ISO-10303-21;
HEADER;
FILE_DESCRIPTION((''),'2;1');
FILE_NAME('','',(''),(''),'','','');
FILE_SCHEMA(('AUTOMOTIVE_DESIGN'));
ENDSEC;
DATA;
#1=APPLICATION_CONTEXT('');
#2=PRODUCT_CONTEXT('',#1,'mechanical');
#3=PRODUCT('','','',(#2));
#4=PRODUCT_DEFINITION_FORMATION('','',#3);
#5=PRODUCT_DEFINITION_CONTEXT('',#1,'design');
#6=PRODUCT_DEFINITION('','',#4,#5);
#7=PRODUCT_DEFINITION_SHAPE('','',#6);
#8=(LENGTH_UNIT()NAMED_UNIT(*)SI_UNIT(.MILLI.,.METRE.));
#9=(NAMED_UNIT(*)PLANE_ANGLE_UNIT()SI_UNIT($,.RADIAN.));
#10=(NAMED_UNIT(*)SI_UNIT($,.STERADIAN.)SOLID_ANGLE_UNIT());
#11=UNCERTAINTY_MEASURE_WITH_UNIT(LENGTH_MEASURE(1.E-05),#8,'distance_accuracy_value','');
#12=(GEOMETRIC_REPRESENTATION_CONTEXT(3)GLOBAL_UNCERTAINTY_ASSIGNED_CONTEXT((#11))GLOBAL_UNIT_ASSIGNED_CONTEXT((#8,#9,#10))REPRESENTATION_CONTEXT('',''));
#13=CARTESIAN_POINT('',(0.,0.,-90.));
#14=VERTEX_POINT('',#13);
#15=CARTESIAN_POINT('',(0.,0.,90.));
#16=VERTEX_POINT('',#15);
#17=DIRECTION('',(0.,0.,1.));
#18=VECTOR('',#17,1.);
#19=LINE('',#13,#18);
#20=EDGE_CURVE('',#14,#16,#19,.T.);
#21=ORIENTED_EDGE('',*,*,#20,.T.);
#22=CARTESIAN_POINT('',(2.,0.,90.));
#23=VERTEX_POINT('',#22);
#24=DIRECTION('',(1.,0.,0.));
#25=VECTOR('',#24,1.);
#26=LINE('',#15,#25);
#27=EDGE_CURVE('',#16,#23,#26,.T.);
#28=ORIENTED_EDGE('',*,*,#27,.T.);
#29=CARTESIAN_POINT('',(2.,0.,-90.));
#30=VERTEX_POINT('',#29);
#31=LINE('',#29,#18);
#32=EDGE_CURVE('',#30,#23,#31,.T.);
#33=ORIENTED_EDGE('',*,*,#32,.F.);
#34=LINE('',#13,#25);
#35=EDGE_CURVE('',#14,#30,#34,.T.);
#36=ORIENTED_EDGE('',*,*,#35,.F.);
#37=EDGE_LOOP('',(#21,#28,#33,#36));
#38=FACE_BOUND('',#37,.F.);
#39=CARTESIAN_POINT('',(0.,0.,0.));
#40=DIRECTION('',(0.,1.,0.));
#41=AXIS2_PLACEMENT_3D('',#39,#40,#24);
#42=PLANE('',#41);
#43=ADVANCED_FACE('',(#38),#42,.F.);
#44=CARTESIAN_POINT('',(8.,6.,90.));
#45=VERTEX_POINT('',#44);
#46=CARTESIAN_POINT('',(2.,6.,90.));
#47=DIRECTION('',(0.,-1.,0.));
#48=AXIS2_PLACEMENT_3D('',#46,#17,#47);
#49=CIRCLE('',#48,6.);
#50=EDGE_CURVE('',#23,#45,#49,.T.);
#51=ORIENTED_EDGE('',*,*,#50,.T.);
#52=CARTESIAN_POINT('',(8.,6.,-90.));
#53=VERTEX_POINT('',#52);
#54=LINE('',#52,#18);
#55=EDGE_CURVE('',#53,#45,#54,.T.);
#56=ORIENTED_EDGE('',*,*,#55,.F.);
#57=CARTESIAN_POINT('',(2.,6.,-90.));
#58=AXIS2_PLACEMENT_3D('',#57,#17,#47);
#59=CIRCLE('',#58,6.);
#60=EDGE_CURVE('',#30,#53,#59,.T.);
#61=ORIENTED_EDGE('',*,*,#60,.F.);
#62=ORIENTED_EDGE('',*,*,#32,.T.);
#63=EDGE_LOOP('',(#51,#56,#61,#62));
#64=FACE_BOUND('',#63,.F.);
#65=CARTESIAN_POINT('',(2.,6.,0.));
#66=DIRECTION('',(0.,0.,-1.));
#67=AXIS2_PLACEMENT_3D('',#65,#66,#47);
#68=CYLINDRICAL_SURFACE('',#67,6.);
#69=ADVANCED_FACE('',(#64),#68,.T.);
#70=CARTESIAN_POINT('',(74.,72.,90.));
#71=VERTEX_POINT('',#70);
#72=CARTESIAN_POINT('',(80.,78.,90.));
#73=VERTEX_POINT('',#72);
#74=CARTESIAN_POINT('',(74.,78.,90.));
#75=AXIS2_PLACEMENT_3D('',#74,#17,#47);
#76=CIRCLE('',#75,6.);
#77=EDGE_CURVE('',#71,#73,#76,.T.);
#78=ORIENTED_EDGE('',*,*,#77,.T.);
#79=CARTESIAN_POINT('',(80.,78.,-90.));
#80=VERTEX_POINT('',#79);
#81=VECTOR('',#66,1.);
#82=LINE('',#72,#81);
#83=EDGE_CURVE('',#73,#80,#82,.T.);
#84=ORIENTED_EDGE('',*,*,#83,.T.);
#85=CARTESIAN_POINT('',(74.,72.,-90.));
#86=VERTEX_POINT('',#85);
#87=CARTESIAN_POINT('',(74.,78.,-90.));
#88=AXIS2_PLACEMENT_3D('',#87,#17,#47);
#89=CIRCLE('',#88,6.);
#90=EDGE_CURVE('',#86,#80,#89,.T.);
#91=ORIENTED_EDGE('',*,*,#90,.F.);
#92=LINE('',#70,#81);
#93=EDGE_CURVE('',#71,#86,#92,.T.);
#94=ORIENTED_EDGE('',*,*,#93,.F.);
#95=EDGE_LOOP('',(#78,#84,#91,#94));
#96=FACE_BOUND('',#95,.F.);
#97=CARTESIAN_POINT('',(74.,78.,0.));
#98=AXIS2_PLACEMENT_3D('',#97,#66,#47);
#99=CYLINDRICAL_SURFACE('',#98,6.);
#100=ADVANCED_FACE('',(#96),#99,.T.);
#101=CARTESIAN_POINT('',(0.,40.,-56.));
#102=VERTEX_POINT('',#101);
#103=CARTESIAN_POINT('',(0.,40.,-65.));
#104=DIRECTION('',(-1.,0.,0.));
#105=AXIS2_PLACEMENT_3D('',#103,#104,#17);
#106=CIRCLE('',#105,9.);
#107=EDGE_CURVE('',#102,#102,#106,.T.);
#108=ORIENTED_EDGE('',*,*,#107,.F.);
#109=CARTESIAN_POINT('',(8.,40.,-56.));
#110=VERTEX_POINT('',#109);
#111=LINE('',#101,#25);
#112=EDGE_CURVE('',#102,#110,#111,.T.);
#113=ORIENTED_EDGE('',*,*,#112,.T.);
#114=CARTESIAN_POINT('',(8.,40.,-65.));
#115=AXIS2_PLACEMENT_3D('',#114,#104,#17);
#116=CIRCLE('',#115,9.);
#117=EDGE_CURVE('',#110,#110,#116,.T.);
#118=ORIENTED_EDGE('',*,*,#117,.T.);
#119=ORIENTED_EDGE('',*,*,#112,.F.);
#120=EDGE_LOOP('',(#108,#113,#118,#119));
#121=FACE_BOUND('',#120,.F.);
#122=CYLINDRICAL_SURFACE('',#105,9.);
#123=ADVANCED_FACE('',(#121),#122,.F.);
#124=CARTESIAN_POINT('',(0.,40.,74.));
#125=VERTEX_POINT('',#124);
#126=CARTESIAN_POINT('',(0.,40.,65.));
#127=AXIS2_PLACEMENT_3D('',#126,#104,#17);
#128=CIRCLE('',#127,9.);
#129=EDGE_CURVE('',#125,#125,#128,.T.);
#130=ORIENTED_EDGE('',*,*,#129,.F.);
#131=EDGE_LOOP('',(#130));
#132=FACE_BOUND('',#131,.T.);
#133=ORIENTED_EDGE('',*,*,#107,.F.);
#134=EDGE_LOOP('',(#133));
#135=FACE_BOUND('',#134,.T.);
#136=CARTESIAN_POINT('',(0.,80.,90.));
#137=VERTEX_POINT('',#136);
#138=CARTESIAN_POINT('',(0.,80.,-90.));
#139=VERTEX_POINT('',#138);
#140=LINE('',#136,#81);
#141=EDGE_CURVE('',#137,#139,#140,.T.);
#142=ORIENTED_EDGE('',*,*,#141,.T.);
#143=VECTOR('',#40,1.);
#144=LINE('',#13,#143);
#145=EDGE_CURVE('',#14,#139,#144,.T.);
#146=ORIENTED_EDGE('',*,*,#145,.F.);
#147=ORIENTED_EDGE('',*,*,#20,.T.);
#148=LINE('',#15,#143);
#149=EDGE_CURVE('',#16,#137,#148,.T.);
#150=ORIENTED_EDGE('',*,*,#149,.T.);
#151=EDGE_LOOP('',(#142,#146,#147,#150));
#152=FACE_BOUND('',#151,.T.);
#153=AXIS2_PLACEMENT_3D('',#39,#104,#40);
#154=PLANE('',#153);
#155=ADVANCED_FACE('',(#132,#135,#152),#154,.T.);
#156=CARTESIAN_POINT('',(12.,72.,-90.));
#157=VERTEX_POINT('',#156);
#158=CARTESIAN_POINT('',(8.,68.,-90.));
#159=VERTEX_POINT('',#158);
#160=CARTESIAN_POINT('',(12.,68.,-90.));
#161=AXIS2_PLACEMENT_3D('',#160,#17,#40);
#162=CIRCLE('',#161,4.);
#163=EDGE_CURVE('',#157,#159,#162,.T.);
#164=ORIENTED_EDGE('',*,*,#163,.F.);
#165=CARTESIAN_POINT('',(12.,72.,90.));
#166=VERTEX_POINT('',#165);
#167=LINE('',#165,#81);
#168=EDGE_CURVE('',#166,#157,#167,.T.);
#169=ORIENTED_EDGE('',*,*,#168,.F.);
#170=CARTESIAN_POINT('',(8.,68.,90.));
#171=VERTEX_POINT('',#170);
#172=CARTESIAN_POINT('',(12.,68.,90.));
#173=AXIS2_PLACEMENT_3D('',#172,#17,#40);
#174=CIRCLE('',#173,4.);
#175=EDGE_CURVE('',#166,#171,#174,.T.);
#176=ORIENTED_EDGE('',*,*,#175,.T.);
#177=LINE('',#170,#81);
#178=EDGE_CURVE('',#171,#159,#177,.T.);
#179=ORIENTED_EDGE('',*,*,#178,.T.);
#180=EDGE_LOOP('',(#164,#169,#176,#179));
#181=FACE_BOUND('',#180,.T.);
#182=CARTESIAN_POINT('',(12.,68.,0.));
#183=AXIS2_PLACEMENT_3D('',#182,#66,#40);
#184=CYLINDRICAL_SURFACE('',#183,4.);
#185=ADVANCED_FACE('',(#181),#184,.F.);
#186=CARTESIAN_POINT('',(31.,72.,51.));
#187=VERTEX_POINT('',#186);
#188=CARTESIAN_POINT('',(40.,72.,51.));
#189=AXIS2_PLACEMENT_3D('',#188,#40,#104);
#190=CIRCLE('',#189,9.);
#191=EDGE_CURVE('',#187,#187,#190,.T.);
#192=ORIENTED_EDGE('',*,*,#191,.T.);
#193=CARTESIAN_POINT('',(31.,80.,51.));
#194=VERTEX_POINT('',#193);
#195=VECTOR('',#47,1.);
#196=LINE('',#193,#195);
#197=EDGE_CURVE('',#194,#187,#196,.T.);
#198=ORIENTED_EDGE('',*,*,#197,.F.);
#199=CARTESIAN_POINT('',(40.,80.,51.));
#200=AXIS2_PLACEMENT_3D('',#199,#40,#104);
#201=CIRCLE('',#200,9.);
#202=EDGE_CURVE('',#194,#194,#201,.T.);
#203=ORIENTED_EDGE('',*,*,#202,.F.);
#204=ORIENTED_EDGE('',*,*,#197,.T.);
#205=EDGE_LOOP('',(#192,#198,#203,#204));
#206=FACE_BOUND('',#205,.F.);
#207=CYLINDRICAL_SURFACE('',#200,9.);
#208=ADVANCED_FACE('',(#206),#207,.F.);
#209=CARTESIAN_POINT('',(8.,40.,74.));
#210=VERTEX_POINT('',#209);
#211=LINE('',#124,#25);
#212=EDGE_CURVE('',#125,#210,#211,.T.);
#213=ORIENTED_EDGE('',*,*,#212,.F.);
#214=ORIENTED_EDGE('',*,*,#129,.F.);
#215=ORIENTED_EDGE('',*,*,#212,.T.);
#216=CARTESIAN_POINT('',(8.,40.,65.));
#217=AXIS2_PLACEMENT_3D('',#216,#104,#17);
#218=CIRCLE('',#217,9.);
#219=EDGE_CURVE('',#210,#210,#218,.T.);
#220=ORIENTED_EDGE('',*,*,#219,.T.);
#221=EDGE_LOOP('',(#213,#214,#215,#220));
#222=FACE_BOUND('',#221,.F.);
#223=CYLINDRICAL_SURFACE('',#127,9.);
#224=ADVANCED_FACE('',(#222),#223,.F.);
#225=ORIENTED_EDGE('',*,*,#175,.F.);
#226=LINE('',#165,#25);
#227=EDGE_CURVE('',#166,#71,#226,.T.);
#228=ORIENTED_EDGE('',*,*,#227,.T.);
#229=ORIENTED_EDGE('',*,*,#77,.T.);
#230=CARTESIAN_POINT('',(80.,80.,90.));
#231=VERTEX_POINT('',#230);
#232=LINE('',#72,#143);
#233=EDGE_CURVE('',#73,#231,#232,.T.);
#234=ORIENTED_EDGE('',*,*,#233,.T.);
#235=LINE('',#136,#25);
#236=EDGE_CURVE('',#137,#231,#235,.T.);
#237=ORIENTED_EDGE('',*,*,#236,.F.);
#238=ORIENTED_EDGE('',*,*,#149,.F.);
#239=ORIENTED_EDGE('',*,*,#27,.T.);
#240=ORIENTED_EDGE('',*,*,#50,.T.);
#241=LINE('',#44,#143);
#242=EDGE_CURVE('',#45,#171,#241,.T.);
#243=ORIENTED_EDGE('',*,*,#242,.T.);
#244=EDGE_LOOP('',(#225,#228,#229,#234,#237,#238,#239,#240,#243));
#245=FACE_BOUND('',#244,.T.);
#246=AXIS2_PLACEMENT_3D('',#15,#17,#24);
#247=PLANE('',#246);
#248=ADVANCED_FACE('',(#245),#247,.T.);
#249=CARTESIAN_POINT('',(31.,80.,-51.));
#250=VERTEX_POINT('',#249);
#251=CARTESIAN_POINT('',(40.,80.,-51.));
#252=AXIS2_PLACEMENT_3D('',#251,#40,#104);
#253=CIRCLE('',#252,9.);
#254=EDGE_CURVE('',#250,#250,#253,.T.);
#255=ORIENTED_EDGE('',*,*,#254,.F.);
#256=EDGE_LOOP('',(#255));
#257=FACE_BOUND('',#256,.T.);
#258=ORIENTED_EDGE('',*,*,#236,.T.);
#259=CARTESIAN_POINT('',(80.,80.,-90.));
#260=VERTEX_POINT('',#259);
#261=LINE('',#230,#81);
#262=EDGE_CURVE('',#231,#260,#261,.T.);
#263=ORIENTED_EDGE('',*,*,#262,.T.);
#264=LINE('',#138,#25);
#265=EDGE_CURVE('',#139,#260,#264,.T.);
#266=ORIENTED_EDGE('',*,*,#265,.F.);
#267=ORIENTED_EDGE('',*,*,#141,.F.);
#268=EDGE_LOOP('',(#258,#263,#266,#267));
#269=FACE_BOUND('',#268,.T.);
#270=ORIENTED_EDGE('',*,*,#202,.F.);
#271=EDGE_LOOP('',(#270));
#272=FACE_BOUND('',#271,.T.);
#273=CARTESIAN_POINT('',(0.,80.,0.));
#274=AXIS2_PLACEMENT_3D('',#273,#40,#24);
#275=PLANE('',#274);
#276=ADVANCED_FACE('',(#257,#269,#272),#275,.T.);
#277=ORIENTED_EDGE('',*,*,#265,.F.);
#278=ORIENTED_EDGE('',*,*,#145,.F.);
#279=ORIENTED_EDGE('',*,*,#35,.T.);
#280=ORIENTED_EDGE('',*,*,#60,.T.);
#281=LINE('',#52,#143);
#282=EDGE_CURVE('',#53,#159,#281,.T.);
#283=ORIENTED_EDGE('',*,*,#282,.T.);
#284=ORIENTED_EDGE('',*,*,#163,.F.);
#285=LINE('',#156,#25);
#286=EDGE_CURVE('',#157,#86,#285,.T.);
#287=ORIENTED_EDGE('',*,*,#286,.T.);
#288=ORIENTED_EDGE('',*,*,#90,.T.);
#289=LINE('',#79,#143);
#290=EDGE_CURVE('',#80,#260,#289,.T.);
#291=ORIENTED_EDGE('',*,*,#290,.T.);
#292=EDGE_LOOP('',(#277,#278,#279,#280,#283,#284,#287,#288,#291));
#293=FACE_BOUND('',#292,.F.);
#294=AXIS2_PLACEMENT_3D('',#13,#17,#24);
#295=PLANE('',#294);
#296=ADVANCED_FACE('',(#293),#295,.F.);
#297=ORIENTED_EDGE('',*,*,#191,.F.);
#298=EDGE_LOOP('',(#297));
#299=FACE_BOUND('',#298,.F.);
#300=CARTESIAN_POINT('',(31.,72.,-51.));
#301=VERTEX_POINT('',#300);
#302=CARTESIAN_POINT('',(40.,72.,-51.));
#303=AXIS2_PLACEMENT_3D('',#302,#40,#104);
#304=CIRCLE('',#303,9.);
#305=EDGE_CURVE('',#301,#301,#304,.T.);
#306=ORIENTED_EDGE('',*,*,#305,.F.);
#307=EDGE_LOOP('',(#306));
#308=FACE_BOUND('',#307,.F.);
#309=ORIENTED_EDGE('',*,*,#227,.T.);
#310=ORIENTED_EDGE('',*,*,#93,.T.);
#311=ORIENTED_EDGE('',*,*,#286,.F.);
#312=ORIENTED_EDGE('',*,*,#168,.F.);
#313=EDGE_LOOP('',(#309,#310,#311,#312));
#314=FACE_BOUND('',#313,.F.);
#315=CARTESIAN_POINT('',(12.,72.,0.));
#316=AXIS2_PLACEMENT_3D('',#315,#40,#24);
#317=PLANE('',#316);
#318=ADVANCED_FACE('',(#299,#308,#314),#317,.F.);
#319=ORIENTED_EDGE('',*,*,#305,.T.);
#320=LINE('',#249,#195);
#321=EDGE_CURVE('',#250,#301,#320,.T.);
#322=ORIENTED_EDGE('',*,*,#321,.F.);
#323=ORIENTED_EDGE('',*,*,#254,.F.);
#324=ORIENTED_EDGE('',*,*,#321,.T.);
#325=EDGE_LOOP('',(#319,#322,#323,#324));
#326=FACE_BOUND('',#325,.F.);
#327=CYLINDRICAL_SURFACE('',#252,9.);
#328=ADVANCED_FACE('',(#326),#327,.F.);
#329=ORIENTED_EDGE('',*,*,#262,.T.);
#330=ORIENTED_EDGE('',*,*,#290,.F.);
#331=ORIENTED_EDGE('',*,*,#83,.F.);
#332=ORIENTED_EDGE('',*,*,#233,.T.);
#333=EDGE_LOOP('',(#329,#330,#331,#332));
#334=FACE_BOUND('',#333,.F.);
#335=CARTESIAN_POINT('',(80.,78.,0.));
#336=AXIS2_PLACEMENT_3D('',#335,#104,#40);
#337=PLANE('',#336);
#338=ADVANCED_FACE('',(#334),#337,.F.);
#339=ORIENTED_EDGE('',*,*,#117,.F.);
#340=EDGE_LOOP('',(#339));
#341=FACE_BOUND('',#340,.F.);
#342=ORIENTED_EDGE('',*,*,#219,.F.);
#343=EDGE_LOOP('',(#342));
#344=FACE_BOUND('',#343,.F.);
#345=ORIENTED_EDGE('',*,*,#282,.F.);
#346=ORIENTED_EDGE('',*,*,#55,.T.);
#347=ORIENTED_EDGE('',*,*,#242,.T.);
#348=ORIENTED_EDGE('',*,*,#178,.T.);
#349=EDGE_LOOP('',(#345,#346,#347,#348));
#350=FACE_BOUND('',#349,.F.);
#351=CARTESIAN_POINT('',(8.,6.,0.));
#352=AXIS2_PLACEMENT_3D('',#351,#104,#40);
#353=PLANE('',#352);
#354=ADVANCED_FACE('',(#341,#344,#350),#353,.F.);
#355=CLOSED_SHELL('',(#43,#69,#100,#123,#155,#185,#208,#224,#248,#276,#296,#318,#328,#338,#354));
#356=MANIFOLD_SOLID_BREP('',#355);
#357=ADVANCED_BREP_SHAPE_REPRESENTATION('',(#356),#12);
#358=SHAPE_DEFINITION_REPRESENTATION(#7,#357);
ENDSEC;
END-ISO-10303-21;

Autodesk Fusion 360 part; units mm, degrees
sketch "Sketch1" plane through (0, 0, 0) normal (0, 0, 1) x (1, 0, 0)
  line L0 (0, 0) -> (0, 80)
  line L1 (0, 80) -> (80, 80)
  line L2 (8, 6) -> (8, 68)
  line L3 (12, 72) -> (74, 72)
  line L4 (80, 78) -> (80, 80)
  line L5 (0, 0) -> (2, 0)
  arc A0 (74, 72) -> (80, 78) centre (74, 78) ccw
  arc A1 (2, 0) -> (8, 6) centre (2, 6) ccw
  arc A2 (12, 72) -> (8, 68) centre (12, 68) ccw
  dimension "d1" = 80
  dimension "d2" = 80
  dimension "d4" = 6
  dimension "d5" = 6
  dimension "d6" = 4
extrude "Extrude1" add sketch "Sketch1" along normal mid plane 180
sketch "Sketch2" plane through (0, 0, 0) normal (-1, 0, 0) x (0, 0, 1)
  line L0 (-90, 0) -> (90, 0) construction
  line L1 (90, 0) -> (90, 80) construction
  line L2 (90, 80) -> (-90, 80) construction
  line L3 (-90, 80) -> (-90, 0) construction
  line L4 (-90, 80) -> (90, 80) construction
  line L5 (-90, 0) -> (-90, 80) construction
  line L6 (-90, 0) -> (90, 0) construction
  line L7 (90, 80) -> (90, 0) construction
  line L8 (-90, 40) -> (90, 40) construction
  line L9 (0, 80) -> (0, 0) construction
  circle A0 centre (-65, 40) radius 9
  circle A1 centre (65, 40) radius 9
  dimension "d9" = 18
  dimension "d10" = 65
extrude "Extrude2" cut sketch "Sketch2" against normal through all
sketch "Sketch3" plane through (0, 80, 0) normal (0, 1, 0) x (-1, 0, 0)
  line L0 (0, -90) -> (0, 90) construction
  line L1 (0, 90) -> (-80, 90) construction
  line L2 (-80, 90) -> (-80, -90) construction
  line L3 (-80, -90) -> (0, -90) construction
  line L4 (-80, 90) -> (0, 90) construction
  line L5 (-80, -90) -> (-80, 90) construction
  line L6 (0, -90) -> (0, 90) construction
  line L7 (0, -90) -> (-80, -90) construction
  line L8 (-80, 0) -> (0, 0) construction
  line L9 (-40, -90) -> (-40, 90) construction
  circle A0 centre (-40, -51) radius 9
  circle A1 centre (-40, 51) radius 9
  dimension "d12" = 18
  dimension "d13" = 51
extrude "Extrude3" cut sketch "Sketch3" against normal through all
equation "d13 = ( 102 / 2 ) * 1 mm"
